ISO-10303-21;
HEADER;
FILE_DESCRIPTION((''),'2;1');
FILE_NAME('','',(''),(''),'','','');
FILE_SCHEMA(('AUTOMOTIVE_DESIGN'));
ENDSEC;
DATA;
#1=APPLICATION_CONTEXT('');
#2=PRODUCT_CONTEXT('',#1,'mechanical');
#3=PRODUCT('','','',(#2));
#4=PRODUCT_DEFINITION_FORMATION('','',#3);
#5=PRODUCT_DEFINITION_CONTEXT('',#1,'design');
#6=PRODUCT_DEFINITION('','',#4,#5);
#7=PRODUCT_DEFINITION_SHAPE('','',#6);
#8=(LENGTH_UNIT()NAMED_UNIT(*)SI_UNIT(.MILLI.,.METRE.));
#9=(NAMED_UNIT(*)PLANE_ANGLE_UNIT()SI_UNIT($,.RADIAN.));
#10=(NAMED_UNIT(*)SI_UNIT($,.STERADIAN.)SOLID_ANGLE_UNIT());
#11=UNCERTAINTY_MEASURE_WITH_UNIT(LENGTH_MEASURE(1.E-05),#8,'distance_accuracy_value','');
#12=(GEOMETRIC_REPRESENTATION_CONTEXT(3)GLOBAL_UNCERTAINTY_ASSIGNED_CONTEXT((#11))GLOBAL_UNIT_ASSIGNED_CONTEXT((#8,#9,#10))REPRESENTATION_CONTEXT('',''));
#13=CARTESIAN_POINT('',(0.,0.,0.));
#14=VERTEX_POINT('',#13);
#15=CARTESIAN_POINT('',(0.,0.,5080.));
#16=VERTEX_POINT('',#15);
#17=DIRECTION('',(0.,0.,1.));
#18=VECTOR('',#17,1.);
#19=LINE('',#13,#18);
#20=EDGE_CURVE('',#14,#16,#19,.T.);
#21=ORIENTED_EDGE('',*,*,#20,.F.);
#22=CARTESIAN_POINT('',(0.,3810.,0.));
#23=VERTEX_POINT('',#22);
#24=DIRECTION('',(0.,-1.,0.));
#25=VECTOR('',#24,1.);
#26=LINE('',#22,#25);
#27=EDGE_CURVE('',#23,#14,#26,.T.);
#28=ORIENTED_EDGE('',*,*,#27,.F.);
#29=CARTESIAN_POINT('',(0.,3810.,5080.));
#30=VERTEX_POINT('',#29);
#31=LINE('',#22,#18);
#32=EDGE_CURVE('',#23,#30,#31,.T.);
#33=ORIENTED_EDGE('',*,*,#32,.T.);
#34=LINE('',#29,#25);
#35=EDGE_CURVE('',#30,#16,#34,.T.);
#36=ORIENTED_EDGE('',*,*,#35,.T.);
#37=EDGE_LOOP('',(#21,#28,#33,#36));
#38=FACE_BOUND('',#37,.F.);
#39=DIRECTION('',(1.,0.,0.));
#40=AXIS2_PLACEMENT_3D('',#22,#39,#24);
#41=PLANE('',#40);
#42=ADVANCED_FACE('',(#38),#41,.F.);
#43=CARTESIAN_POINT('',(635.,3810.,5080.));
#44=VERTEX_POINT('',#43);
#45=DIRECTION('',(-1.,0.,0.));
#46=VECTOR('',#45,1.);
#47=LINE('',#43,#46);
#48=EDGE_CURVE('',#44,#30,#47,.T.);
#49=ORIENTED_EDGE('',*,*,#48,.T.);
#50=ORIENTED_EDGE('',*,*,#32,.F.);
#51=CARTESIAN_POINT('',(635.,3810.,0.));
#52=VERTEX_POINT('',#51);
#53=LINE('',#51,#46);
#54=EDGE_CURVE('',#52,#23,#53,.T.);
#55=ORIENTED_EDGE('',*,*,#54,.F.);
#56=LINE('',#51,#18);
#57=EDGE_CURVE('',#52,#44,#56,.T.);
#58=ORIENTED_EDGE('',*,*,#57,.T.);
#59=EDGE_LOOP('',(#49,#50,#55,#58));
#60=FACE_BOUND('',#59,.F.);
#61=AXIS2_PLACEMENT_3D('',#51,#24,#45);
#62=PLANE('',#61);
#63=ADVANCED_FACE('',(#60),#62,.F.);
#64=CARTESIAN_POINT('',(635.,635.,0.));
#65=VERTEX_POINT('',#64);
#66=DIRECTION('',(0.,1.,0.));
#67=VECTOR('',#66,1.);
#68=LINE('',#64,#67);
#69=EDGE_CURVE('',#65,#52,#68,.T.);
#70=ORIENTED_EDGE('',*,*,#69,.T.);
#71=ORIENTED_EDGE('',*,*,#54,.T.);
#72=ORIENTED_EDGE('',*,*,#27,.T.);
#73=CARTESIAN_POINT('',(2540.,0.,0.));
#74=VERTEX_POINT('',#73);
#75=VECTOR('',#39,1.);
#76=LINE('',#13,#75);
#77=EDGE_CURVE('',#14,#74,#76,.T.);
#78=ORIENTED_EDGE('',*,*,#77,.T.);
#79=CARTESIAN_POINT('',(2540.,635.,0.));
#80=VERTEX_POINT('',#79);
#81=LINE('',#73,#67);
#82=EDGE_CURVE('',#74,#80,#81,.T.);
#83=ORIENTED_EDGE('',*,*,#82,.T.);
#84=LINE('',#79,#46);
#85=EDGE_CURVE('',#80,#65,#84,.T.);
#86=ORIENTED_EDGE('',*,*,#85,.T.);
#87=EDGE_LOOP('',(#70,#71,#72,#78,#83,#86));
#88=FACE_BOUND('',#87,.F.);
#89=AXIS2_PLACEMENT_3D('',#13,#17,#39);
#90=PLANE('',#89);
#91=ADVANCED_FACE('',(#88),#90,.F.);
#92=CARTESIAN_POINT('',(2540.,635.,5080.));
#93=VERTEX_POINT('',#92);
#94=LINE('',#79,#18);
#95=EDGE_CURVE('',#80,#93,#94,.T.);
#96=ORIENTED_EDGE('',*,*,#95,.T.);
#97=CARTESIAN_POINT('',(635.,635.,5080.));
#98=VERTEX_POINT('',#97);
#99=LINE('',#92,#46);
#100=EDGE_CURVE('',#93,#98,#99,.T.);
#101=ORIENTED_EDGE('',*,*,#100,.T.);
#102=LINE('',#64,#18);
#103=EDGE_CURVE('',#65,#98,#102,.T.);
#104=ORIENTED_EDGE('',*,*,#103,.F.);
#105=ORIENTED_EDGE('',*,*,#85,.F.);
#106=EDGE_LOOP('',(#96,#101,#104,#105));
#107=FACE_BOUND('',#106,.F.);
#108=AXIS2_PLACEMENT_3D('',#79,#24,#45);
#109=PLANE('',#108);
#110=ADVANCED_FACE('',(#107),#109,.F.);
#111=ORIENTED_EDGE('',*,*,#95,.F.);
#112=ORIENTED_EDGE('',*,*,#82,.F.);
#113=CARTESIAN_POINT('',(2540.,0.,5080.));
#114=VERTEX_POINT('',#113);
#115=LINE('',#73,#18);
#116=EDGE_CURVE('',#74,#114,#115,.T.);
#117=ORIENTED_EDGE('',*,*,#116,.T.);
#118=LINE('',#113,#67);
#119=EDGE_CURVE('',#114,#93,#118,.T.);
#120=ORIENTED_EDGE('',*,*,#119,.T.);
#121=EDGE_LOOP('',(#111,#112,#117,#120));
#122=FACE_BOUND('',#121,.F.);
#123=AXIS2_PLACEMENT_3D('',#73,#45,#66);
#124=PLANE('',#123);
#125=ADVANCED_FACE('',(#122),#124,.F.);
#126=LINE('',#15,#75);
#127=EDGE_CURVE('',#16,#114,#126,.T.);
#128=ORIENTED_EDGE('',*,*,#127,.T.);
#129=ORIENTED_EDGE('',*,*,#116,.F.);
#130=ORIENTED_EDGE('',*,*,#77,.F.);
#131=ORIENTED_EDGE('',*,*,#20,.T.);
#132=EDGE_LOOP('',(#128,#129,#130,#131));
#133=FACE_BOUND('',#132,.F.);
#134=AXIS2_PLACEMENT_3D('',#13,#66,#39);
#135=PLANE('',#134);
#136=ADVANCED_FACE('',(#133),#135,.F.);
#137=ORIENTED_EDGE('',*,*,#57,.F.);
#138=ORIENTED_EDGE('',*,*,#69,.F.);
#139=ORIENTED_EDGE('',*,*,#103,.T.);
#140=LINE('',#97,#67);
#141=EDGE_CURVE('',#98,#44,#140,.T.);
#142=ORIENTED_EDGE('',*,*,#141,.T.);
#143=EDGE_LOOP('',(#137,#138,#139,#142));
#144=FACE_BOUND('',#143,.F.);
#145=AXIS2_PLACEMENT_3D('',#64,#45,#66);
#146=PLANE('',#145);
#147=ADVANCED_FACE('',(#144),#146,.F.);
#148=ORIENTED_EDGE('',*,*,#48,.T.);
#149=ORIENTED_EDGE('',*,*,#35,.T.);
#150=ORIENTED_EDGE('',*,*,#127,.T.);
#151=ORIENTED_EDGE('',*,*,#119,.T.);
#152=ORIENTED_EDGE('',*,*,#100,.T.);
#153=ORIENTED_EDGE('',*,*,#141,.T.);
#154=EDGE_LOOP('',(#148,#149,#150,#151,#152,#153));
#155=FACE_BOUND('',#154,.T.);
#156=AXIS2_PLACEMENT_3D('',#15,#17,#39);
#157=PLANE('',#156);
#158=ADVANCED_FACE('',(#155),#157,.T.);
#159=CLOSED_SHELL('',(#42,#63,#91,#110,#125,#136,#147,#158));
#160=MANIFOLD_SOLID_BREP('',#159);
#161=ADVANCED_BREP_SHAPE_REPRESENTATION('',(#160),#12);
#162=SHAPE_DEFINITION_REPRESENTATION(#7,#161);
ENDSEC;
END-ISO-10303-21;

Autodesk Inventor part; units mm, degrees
ref_plane "YZ Plane" through (0, 0, 0) normal (1, 0, 0) x (0, 1, 0)
ref_plane "XZ Plane" through (0, 0, 0) normal (0, 1, 0) x (-1, 0, 0)
ref_plane "XY Plane" through (0, 0, 0) normal (0, 0, 1) x (1, 0, 0)
sketch "Sketch1" plane through (0, 0, 0) normal (0, 0, 1) x (1, 0, 0)
  line L0 (0, 0) -> (2540, 0)
  line L1 (2540, 0) -> (2540, 635)
  line L2 (2540, 635) -> (635, 635)
  line L3 (635, 635) -> (635, 3810)
  line L4 (635, 3810) -> (0, 3810)
  line L5 (0, 3810) -> (0, 0)
  dimension "d3" = 3810
  dimension "d4" = 2540
  dimension "d5" = 635
  dimension "d6" = 1905
extrude "Extrusion1" add sketch "Sketch1" along normal blind 5080
equation "\"Thickness\" = d5"
properties part number "LPart"
